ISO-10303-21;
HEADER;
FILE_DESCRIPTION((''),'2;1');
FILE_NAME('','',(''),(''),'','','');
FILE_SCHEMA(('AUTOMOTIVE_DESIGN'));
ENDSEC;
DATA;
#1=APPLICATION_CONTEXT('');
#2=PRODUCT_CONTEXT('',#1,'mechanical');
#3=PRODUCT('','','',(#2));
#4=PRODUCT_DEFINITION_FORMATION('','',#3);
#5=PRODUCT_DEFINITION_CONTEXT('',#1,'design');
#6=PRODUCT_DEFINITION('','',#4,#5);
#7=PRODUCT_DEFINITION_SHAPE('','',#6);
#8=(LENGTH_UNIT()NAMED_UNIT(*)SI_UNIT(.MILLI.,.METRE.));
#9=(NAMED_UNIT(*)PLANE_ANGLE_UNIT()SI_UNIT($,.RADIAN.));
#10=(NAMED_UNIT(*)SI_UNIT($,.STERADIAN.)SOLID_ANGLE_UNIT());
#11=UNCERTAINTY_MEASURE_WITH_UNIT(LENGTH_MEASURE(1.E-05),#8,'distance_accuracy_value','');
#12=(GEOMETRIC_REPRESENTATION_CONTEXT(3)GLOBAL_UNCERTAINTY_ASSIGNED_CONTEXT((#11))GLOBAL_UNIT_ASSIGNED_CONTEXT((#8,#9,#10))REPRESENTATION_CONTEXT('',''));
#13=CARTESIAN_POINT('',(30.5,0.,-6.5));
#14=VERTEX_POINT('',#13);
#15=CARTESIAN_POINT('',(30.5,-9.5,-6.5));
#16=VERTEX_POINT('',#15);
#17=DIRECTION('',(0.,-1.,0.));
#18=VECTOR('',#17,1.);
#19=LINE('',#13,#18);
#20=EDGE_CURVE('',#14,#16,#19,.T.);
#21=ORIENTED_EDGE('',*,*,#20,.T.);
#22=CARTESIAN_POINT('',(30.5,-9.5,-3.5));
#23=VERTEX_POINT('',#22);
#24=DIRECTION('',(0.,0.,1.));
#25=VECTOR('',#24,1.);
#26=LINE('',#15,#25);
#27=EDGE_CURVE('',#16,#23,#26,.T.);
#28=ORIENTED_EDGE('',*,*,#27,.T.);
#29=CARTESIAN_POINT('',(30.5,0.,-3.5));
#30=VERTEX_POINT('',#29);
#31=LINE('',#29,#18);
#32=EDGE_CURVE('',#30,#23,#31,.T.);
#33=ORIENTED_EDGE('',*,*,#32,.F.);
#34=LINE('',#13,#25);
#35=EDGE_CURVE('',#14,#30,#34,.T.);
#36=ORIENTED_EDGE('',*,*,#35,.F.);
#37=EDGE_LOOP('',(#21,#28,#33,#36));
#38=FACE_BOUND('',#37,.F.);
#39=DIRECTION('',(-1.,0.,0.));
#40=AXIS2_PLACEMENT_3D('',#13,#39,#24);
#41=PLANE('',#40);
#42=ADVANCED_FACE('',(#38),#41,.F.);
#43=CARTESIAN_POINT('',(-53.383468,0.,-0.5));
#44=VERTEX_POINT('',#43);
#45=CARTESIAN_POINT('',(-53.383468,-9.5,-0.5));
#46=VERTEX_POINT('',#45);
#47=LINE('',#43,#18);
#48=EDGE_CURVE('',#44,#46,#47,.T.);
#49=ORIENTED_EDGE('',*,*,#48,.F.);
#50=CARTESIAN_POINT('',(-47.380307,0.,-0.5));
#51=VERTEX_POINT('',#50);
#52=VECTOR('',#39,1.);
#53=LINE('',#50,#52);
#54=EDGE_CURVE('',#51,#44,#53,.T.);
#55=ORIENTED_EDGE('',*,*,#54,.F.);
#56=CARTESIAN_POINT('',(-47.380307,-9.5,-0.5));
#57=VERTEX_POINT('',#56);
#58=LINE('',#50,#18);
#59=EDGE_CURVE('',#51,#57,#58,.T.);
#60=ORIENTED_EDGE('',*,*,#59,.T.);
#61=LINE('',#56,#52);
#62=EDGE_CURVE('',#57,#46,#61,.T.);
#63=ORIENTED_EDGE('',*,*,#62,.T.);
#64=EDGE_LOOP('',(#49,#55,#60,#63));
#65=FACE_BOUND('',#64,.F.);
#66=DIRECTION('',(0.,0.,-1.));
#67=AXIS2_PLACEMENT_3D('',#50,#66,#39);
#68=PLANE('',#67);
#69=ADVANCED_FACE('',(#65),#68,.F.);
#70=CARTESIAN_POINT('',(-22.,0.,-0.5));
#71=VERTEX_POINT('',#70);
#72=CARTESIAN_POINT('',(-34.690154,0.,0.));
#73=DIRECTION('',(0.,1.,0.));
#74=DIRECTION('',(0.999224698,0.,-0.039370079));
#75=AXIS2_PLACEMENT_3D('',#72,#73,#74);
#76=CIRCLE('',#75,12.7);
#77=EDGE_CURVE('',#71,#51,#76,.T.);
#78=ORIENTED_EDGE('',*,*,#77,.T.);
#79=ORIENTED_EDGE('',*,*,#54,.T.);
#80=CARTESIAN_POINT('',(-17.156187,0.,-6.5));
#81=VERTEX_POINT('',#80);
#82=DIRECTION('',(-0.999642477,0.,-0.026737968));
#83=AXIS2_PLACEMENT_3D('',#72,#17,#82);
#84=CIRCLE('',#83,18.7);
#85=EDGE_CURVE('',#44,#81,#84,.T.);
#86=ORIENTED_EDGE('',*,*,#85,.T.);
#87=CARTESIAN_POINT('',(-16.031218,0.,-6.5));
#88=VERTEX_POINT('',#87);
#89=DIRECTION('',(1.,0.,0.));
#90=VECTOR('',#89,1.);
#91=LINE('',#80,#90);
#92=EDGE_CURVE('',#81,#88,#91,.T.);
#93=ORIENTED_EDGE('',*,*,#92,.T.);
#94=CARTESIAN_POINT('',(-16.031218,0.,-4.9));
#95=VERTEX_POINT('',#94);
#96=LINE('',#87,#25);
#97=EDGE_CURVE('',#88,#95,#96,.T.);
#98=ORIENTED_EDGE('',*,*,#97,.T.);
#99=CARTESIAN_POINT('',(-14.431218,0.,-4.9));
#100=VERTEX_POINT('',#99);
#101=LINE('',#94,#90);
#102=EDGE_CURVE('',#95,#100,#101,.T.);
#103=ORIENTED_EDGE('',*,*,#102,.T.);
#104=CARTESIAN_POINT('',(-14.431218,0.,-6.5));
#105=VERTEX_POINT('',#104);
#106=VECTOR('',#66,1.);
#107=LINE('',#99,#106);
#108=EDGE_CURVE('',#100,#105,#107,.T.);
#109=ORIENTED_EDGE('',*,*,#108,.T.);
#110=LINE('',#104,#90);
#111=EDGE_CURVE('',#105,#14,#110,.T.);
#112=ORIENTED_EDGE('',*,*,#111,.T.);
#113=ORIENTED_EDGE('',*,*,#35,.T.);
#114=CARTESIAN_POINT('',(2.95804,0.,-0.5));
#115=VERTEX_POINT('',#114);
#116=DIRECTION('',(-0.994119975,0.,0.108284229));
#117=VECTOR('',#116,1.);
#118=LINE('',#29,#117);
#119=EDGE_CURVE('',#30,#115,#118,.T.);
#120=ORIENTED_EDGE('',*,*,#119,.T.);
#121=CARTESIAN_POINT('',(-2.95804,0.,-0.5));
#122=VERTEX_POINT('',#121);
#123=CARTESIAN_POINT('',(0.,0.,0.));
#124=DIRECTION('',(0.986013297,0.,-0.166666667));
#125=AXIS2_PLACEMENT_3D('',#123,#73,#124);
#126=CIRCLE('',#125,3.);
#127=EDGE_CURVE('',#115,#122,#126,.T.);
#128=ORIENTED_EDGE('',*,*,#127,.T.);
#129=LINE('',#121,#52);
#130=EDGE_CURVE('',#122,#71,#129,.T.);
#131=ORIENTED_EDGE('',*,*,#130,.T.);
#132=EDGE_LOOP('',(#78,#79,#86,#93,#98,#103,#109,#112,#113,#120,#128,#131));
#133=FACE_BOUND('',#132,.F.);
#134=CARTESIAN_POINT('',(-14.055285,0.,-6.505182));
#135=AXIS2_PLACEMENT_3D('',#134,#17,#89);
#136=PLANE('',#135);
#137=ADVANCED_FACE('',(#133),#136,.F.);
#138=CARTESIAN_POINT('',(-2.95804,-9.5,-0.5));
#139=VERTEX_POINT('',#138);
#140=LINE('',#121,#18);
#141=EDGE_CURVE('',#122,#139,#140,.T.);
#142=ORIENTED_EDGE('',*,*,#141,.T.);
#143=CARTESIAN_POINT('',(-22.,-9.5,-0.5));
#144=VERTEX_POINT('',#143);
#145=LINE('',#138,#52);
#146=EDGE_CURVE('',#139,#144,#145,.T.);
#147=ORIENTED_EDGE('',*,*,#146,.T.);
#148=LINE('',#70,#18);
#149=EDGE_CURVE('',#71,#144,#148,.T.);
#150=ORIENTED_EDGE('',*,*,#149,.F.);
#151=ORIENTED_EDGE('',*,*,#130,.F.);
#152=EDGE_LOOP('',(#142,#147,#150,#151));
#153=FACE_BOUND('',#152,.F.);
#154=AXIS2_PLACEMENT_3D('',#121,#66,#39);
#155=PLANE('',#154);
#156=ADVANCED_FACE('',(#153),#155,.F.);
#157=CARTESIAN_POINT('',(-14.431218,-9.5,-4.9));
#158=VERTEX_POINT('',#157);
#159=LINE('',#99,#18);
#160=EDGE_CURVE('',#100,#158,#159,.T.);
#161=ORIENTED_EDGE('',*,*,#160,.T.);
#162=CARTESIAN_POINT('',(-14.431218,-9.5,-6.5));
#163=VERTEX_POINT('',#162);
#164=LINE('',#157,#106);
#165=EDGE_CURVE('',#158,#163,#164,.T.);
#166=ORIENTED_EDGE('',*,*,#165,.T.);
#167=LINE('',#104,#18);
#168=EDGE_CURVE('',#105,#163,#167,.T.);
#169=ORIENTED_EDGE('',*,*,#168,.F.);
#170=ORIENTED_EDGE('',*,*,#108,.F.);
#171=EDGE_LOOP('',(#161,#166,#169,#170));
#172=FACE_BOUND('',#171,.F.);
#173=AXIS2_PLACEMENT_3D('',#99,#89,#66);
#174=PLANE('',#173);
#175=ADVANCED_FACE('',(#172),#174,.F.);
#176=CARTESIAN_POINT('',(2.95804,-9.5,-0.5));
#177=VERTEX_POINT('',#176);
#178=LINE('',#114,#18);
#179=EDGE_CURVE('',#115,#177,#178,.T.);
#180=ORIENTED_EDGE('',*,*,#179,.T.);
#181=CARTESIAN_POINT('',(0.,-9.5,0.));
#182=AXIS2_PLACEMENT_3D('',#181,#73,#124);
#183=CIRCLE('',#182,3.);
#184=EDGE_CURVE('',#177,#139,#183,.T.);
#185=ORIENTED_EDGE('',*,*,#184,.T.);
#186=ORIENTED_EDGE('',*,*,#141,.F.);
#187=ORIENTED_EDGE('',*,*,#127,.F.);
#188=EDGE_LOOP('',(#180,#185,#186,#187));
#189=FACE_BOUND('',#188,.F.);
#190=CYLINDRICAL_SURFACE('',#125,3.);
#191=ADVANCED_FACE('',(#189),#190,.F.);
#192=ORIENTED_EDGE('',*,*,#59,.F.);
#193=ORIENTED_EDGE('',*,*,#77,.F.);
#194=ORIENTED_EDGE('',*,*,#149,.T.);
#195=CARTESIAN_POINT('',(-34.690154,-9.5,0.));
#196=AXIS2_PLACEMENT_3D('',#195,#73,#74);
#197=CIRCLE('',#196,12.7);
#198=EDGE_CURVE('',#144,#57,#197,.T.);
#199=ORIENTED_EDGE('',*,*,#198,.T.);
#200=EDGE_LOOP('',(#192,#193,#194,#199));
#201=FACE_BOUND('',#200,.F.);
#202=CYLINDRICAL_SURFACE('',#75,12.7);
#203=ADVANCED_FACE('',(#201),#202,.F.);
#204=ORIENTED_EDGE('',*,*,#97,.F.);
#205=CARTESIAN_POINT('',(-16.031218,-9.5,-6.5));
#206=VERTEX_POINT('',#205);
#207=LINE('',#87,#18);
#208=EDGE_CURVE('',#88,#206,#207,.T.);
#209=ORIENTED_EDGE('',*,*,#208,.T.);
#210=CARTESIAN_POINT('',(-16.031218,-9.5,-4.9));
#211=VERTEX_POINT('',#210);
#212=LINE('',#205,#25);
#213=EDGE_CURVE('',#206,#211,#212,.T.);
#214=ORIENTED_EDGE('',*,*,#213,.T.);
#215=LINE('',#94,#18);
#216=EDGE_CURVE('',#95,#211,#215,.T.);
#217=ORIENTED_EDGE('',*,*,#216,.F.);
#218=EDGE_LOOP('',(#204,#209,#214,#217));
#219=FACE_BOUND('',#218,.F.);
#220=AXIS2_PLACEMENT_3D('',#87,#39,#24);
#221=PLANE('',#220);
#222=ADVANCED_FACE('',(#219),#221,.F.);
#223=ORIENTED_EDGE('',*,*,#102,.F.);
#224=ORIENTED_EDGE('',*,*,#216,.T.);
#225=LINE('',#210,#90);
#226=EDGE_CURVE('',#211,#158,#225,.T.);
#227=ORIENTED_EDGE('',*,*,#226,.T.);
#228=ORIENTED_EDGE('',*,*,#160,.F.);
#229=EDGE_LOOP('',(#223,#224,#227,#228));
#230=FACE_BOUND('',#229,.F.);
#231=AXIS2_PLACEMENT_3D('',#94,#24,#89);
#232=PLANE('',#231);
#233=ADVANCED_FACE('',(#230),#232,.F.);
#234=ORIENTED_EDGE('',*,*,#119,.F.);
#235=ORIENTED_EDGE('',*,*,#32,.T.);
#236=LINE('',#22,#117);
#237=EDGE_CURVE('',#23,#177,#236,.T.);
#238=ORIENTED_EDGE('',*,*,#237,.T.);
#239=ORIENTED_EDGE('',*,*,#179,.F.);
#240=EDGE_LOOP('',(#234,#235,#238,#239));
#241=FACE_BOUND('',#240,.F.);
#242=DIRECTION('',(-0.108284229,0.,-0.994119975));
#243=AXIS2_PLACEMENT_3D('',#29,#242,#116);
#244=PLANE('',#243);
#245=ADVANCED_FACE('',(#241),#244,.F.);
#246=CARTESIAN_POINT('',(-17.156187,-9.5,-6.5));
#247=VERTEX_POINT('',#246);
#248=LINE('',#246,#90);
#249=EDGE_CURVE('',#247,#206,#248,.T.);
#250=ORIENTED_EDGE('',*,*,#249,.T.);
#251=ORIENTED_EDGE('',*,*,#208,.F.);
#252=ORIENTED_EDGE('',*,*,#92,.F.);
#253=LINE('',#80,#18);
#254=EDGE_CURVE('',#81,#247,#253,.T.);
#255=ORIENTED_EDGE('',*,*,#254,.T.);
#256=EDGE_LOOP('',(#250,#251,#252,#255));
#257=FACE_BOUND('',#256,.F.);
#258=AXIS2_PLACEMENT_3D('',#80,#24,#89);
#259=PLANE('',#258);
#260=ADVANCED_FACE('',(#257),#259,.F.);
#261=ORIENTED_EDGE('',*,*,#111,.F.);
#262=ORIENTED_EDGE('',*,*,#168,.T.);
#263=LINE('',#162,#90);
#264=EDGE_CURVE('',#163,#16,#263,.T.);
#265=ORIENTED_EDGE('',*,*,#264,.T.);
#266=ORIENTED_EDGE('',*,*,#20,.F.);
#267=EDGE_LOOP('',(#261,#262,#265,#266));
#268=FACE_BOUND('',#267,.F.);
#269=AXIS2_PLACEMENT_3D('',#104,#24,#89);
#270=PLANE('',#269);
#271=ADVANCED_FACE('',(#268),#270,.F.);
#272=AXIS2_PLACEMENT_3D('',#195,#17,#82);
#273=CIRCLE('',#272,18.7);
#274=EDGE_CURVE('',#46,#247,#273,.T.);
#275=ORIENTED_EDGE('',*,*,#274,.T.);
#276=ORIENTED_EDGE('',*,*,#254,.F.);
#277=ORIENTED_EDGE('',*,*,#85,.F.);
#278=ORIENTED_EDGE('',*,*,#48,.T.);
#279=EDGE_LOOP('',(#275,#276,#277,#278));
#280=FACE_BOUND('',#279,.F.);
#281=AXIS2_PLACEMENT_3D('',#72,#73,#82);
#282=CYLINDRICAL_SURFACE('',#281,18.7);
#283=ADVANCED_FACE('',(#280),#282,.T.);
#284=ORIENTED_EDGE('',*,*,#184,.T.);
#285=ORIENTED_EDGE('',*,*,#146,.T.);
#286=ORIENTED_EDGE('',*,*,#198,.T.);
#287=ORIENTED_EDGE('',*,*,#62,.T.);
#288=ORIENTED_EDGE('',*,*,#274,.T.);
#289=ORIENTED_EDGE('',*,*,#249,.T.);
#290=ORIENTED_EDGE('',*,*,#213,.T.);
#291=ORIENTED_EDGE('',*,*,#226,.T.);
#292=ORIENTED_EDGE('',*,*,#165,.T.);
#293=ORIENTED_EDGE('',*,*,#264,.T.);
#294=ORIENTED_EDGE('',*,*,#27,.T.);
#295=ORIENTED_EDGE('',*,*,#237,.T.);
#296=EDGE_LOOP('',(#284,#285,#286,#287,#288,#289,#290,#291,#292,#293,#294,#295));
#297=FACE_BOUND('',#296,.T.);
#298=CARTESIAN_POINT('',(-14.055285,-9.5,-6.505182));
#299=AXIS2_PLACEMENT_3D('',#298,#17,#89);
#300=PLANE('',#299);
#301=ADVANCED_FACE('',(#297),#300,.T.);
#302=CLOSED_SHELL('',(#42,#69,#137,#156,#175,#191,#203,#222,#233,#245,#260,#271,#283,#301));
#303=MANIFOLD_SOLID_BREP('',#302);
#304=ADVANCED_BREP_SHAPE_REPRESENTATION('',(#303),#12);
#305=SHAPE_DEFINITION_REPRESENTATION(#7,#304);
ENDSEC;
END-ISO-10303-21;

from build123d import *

# Parameters (mm, degrees)
F2_DEPTH = 9.5


with BuildPart() as f2:
    # F1 (on Front) → F2 (new body)
    with BuildSketch(Plane.XZ):
        with BuildLine():
            Line((-14.4312179421, -6.5), (30.5, -6.5))
            Line((30.5, -6.5), (30.5, -3.5))
            Line((30.5, -3.5), (2.9580398915, -0.5))
            ThreePointArc((2.9580398915, -0.5), (0, -3), (-2.9580398915, -0.5))
            Line((-2.9580398915, -0.5), (-17.160677935, -0.5))
            Line((-17.160677935, -0.5), (-17.1837798887, -0.5))
            Line((-17.1837798887, -0.5), (-22, -0.5))
            ThreePointArc((-22, -0.5), (-34.6901536634, -12.7), (-47.3803073267, -0.5))
            Line((-47.3803073267, -0.5), (-53.3834679762, -0.5))
            ThreePointArc((-53.3834679762, -0.5), (-37.745644054, -18.4486850066), (-17.1561866279, -6.5))
            Line((-17.1561866279, -6.5), (-16.0312179421, -6.5))
            Line((-16.0312179421, -6.5), (-16.0312179421, -4.9))
            Line((-16.0312179421, -4.9), (-14.4312179421, -4.9))
            Line((-14.4312179421, -4.9), (-14.4312179421, -6.5))
        make_face()
    extrude(amount=F2_DEPTH)


solid = f2.part
